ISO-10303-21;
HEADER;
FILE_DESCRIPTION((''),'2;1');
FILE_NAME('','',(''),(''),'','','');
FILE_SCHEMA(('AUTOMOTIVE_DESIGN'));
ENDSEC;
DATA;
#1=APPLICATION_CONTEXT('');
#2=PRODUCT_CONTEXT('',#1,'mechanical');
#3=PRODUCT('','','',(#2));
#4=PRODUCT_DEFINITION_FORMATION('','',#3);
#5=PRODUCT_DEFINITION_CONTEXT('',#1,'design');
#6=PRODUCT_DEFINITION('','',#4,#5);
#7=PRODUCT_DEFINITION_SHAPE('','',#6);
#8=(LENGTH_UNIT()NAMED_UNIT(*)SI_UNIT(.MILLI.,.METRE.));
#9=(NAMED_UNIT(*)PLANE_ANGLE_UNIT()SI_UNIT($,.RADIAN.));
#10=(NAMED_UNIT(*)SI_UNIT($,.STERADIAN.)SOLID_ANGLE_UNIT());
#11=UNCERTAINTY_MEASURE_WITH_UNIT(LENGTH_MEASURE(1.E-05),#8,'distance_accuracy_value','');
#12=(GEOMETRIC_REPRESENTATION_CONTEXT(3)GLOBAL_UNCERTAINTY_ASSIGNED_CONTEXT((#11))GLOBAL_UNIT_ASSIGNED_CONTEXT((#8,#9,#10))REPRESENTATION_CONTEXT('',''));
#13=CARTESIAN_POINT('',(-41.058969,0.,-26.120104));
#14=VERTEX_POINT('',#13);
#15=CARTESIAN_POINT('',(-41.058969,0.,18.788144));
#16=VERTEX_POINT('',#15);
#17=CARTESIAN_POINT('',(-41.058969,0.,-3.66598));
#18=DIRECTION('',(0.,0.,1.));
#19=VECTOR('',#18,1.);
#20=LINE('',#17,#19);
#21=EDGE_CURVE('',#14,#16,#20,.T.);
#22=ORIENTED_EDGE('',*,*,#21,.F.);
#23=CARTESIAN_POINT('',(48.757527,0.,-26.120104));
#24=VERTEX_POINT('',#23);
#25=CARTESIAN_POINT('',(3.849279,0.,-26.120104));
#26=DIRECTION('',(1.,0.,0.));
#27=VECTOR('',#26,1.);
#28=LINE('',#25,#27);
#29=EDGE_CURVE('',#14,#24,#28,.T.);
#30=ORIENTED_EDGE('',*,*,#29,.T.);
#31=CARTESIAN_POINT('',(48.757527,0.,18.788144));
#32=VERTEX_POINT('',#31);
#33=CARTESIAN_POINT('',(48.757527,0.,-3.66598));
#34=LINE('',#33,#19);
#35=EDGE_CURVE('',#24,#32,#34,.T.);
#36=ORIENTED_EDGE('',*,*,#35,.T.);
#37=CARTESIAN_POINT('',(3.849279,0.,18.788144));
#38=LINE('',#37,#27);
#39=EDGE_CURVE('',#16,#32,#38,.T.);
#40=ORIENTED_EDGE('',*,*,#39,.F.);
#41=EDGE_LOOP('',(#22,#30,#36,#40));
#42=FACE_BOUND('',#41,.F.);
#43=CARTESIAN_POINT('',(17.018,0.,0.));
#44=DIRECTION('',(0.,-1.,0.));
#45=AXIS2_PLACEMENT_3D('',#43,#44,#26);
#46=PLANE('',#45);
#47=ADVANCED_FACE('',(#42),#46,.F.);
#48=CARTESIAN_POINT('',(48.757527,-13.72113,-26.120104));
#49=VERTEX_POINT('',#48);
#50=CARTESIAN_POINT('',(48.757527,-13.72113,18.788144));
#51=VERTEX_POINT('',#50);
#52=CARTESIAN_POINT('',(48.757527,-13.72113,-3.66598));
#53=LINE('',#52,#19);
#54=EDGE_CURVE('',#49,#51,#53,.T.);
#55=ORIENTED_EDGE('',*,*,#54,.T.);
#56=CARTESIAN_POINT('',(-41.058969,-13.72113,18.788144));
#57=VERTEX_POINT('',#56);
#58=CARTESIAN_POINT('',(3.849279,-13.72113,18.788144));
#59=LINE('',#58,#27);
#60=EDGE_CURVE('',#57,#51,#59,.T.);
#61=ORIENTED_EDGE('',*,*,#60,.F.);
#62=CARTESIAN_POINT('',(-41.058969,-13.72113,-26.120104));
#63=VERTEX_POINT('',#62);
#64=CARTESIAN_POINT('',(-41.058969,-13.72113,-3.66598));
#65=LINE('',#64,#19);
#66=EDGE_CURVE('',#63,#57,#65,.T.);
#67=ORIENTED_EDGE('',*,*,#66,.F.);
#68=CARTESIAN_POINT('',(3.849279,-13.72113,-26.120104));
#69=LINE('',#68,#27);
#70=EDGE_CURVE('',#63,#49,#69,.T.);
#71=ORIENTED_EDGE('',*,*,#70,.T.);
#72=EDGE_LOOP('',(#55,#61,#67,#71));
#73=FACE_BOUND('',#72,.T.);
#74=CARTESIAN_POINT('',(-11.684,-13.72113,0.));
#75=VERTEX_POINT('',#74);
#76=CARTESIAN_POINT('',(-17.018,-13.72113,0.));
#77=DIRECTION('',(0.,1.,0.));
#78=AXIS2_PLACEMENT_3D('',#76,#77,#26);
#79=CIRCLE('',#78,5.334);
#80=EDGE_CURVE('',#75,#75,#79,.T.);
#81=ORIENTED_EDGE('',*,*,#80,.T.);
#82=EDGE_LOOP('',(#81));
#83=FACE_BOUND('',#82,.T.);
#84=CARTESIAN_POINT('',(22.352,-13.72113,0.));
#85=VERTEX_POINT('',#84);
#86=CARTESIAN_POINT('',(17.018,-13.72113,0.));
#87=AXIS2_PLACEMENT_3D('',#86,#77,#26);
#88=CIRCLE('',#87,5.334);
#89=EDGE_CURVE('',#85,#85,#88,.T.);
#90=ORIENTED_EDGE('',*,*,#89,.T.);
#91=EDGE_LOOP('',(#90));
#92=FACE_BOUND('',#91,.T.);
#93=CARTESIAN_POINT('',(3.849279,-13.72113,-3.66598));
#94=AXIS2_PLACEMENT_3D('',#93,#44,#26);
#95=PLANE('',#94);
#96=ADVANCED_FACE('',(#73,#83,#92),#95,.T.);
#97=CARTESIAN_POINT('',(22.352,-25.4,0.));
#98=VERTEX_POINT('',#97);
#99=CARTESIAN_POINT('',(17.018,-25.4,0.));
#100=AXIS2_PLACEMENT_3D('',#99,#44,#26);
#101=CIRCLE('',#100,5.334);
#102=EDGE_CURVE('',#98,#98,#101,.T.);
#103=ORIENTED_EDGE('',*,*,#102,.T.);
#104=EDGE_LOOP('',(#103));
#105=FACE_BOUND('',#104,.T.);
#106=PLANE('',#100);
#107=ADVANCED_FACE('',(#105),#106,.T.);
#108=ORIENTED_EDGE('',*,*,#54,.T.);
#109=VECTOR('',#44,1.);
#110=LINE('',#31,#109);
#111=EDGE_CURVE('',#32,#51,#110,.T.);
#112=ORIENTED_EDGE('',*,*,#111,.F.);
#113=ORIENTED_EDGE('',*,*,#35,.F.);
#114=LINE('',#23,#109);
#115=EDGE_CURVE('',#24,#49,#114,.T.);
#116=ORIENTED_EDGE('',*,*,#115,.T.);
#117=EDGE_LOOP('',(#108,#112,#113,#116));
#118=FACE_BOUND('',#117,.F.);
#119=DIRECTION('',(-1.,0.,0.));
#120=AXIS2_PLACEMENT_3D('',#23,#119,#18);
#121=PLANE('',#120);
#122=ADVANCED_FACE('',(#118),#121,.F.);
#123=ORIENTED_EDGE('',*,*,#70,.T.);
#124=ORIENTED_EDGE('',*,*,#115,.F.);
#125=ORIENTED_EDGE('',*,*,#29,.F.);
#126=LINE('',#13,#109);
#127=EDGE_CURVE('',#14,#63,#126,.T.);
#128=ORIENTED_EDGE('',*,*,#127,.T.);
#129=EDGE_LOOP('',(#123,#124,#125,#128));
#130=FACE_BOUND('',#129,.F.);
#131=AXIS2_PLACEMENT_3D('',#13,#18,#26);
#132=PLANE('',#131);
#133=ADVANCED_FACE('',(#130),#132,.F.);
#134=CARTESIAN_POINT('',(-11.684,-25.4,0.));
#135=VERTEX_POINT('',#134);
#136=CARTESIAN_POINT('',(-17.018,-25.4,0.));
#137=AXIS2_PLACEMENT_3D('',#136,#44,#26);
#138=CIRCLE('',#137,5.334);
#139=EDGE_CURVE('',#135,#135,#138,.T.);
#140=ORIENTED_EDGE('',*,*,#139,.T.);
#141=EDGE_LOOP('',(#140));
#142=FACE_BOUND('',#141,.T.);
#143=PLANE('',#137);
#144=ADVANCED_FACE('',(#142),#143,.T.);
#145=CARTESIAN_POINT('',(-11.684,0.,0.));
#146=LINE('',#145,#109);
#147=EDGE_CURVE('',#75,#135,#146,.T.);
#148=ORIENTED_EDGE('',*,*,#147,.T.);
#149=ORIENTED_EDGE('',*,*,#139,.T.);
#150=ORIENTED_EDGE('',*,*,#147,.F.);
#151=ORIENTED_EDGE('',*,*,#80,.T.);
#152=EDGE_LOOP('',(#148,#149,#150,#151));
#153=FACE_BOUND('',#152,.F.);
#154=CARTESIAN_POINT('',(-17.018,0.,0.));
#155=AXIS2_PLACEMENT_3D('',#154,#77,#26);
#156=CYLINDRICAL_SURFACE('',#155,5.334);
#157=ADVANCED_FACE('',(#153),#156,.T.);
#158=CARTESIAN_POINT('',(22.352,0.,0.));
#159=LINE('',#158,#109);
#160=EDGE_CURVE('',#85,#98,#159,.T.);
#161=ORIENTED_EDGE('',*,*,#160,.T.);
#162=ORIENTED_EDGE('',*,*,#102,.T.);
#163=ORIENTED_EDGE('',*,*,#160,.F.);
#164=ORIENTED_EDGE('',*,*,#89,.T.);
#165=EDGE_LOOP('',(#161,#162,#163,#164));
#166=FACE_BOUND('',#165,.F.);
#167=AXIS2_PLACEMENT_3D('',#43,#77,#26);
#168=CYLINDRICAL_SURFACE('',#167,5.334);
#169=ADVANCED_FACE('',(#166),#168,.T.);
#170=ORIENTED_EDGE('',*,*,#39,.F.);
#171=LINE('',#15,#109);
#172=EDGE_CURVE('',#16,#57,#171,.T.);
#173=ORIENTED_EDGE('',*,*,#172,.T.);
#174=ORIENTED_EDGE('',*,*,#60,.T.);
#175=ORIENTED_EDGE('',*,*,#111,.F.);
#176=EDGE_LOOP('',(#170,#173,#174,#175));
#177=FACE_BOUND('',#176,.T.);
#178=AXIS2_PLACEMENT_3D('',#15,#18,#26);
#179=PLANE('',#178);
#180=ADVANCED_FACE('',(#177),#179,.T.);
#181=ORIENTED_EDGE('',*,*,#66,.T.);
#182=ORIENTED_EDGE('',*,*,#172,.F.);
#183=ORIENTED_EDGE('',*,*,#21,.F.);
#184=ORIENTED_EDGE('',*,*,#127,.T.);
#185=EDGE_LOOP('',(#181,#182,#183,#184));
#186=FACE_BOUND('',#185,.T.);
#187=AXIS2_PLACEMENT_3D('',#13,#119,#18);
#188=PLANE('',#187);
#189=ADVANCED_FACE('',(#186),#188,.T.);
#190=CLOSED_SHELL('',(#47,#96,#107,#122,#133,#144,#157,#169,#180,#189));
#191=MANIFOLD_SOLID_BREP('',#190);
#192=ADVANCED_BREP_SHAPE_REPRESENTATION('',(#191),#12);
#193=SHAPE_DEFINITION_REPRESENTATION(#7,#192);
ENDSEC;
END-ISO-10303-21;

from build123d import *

# Parameters (mm, degrees)
F0_W     = 89.816496
F0_H     = 44.908248
F0_R     = 5.334
F1_DEPTH = 13.72113
F2_DEPTH = 25.4


with BuildPart() as f1:
    # F0 (on Front) → F1 (new body)
    with BuildSketch(Plane.XZ):
        with Locations((3.849279, -3.66598)):
            Rectangle(F0_W, F0_H)
        with Locations((-17.018, 0)):
            Circle(F0_R, mode=Mode.SUBTRACT)
        with Locations((17.018, 0)):
            Circle(F0_R, mode=Mode.SUBTRACT)
        with Locations((-17.018, 0)):
            Circle(F0_R)
        with Locations((17.018, 0)):
            Circle(F0_R)
    extrude(amount=F1_DEPTH)

    # F0 (on Front) → F2 (join)
    with BuildSketch(Plane.XZ):
        with Locations((17.018, 0)):
            Circle(F0_R)
        with Locations((-17.018, 0)):
            Circle(F0_R)
    extrude(amount=F2_DEPTH)


solid = f1.part
